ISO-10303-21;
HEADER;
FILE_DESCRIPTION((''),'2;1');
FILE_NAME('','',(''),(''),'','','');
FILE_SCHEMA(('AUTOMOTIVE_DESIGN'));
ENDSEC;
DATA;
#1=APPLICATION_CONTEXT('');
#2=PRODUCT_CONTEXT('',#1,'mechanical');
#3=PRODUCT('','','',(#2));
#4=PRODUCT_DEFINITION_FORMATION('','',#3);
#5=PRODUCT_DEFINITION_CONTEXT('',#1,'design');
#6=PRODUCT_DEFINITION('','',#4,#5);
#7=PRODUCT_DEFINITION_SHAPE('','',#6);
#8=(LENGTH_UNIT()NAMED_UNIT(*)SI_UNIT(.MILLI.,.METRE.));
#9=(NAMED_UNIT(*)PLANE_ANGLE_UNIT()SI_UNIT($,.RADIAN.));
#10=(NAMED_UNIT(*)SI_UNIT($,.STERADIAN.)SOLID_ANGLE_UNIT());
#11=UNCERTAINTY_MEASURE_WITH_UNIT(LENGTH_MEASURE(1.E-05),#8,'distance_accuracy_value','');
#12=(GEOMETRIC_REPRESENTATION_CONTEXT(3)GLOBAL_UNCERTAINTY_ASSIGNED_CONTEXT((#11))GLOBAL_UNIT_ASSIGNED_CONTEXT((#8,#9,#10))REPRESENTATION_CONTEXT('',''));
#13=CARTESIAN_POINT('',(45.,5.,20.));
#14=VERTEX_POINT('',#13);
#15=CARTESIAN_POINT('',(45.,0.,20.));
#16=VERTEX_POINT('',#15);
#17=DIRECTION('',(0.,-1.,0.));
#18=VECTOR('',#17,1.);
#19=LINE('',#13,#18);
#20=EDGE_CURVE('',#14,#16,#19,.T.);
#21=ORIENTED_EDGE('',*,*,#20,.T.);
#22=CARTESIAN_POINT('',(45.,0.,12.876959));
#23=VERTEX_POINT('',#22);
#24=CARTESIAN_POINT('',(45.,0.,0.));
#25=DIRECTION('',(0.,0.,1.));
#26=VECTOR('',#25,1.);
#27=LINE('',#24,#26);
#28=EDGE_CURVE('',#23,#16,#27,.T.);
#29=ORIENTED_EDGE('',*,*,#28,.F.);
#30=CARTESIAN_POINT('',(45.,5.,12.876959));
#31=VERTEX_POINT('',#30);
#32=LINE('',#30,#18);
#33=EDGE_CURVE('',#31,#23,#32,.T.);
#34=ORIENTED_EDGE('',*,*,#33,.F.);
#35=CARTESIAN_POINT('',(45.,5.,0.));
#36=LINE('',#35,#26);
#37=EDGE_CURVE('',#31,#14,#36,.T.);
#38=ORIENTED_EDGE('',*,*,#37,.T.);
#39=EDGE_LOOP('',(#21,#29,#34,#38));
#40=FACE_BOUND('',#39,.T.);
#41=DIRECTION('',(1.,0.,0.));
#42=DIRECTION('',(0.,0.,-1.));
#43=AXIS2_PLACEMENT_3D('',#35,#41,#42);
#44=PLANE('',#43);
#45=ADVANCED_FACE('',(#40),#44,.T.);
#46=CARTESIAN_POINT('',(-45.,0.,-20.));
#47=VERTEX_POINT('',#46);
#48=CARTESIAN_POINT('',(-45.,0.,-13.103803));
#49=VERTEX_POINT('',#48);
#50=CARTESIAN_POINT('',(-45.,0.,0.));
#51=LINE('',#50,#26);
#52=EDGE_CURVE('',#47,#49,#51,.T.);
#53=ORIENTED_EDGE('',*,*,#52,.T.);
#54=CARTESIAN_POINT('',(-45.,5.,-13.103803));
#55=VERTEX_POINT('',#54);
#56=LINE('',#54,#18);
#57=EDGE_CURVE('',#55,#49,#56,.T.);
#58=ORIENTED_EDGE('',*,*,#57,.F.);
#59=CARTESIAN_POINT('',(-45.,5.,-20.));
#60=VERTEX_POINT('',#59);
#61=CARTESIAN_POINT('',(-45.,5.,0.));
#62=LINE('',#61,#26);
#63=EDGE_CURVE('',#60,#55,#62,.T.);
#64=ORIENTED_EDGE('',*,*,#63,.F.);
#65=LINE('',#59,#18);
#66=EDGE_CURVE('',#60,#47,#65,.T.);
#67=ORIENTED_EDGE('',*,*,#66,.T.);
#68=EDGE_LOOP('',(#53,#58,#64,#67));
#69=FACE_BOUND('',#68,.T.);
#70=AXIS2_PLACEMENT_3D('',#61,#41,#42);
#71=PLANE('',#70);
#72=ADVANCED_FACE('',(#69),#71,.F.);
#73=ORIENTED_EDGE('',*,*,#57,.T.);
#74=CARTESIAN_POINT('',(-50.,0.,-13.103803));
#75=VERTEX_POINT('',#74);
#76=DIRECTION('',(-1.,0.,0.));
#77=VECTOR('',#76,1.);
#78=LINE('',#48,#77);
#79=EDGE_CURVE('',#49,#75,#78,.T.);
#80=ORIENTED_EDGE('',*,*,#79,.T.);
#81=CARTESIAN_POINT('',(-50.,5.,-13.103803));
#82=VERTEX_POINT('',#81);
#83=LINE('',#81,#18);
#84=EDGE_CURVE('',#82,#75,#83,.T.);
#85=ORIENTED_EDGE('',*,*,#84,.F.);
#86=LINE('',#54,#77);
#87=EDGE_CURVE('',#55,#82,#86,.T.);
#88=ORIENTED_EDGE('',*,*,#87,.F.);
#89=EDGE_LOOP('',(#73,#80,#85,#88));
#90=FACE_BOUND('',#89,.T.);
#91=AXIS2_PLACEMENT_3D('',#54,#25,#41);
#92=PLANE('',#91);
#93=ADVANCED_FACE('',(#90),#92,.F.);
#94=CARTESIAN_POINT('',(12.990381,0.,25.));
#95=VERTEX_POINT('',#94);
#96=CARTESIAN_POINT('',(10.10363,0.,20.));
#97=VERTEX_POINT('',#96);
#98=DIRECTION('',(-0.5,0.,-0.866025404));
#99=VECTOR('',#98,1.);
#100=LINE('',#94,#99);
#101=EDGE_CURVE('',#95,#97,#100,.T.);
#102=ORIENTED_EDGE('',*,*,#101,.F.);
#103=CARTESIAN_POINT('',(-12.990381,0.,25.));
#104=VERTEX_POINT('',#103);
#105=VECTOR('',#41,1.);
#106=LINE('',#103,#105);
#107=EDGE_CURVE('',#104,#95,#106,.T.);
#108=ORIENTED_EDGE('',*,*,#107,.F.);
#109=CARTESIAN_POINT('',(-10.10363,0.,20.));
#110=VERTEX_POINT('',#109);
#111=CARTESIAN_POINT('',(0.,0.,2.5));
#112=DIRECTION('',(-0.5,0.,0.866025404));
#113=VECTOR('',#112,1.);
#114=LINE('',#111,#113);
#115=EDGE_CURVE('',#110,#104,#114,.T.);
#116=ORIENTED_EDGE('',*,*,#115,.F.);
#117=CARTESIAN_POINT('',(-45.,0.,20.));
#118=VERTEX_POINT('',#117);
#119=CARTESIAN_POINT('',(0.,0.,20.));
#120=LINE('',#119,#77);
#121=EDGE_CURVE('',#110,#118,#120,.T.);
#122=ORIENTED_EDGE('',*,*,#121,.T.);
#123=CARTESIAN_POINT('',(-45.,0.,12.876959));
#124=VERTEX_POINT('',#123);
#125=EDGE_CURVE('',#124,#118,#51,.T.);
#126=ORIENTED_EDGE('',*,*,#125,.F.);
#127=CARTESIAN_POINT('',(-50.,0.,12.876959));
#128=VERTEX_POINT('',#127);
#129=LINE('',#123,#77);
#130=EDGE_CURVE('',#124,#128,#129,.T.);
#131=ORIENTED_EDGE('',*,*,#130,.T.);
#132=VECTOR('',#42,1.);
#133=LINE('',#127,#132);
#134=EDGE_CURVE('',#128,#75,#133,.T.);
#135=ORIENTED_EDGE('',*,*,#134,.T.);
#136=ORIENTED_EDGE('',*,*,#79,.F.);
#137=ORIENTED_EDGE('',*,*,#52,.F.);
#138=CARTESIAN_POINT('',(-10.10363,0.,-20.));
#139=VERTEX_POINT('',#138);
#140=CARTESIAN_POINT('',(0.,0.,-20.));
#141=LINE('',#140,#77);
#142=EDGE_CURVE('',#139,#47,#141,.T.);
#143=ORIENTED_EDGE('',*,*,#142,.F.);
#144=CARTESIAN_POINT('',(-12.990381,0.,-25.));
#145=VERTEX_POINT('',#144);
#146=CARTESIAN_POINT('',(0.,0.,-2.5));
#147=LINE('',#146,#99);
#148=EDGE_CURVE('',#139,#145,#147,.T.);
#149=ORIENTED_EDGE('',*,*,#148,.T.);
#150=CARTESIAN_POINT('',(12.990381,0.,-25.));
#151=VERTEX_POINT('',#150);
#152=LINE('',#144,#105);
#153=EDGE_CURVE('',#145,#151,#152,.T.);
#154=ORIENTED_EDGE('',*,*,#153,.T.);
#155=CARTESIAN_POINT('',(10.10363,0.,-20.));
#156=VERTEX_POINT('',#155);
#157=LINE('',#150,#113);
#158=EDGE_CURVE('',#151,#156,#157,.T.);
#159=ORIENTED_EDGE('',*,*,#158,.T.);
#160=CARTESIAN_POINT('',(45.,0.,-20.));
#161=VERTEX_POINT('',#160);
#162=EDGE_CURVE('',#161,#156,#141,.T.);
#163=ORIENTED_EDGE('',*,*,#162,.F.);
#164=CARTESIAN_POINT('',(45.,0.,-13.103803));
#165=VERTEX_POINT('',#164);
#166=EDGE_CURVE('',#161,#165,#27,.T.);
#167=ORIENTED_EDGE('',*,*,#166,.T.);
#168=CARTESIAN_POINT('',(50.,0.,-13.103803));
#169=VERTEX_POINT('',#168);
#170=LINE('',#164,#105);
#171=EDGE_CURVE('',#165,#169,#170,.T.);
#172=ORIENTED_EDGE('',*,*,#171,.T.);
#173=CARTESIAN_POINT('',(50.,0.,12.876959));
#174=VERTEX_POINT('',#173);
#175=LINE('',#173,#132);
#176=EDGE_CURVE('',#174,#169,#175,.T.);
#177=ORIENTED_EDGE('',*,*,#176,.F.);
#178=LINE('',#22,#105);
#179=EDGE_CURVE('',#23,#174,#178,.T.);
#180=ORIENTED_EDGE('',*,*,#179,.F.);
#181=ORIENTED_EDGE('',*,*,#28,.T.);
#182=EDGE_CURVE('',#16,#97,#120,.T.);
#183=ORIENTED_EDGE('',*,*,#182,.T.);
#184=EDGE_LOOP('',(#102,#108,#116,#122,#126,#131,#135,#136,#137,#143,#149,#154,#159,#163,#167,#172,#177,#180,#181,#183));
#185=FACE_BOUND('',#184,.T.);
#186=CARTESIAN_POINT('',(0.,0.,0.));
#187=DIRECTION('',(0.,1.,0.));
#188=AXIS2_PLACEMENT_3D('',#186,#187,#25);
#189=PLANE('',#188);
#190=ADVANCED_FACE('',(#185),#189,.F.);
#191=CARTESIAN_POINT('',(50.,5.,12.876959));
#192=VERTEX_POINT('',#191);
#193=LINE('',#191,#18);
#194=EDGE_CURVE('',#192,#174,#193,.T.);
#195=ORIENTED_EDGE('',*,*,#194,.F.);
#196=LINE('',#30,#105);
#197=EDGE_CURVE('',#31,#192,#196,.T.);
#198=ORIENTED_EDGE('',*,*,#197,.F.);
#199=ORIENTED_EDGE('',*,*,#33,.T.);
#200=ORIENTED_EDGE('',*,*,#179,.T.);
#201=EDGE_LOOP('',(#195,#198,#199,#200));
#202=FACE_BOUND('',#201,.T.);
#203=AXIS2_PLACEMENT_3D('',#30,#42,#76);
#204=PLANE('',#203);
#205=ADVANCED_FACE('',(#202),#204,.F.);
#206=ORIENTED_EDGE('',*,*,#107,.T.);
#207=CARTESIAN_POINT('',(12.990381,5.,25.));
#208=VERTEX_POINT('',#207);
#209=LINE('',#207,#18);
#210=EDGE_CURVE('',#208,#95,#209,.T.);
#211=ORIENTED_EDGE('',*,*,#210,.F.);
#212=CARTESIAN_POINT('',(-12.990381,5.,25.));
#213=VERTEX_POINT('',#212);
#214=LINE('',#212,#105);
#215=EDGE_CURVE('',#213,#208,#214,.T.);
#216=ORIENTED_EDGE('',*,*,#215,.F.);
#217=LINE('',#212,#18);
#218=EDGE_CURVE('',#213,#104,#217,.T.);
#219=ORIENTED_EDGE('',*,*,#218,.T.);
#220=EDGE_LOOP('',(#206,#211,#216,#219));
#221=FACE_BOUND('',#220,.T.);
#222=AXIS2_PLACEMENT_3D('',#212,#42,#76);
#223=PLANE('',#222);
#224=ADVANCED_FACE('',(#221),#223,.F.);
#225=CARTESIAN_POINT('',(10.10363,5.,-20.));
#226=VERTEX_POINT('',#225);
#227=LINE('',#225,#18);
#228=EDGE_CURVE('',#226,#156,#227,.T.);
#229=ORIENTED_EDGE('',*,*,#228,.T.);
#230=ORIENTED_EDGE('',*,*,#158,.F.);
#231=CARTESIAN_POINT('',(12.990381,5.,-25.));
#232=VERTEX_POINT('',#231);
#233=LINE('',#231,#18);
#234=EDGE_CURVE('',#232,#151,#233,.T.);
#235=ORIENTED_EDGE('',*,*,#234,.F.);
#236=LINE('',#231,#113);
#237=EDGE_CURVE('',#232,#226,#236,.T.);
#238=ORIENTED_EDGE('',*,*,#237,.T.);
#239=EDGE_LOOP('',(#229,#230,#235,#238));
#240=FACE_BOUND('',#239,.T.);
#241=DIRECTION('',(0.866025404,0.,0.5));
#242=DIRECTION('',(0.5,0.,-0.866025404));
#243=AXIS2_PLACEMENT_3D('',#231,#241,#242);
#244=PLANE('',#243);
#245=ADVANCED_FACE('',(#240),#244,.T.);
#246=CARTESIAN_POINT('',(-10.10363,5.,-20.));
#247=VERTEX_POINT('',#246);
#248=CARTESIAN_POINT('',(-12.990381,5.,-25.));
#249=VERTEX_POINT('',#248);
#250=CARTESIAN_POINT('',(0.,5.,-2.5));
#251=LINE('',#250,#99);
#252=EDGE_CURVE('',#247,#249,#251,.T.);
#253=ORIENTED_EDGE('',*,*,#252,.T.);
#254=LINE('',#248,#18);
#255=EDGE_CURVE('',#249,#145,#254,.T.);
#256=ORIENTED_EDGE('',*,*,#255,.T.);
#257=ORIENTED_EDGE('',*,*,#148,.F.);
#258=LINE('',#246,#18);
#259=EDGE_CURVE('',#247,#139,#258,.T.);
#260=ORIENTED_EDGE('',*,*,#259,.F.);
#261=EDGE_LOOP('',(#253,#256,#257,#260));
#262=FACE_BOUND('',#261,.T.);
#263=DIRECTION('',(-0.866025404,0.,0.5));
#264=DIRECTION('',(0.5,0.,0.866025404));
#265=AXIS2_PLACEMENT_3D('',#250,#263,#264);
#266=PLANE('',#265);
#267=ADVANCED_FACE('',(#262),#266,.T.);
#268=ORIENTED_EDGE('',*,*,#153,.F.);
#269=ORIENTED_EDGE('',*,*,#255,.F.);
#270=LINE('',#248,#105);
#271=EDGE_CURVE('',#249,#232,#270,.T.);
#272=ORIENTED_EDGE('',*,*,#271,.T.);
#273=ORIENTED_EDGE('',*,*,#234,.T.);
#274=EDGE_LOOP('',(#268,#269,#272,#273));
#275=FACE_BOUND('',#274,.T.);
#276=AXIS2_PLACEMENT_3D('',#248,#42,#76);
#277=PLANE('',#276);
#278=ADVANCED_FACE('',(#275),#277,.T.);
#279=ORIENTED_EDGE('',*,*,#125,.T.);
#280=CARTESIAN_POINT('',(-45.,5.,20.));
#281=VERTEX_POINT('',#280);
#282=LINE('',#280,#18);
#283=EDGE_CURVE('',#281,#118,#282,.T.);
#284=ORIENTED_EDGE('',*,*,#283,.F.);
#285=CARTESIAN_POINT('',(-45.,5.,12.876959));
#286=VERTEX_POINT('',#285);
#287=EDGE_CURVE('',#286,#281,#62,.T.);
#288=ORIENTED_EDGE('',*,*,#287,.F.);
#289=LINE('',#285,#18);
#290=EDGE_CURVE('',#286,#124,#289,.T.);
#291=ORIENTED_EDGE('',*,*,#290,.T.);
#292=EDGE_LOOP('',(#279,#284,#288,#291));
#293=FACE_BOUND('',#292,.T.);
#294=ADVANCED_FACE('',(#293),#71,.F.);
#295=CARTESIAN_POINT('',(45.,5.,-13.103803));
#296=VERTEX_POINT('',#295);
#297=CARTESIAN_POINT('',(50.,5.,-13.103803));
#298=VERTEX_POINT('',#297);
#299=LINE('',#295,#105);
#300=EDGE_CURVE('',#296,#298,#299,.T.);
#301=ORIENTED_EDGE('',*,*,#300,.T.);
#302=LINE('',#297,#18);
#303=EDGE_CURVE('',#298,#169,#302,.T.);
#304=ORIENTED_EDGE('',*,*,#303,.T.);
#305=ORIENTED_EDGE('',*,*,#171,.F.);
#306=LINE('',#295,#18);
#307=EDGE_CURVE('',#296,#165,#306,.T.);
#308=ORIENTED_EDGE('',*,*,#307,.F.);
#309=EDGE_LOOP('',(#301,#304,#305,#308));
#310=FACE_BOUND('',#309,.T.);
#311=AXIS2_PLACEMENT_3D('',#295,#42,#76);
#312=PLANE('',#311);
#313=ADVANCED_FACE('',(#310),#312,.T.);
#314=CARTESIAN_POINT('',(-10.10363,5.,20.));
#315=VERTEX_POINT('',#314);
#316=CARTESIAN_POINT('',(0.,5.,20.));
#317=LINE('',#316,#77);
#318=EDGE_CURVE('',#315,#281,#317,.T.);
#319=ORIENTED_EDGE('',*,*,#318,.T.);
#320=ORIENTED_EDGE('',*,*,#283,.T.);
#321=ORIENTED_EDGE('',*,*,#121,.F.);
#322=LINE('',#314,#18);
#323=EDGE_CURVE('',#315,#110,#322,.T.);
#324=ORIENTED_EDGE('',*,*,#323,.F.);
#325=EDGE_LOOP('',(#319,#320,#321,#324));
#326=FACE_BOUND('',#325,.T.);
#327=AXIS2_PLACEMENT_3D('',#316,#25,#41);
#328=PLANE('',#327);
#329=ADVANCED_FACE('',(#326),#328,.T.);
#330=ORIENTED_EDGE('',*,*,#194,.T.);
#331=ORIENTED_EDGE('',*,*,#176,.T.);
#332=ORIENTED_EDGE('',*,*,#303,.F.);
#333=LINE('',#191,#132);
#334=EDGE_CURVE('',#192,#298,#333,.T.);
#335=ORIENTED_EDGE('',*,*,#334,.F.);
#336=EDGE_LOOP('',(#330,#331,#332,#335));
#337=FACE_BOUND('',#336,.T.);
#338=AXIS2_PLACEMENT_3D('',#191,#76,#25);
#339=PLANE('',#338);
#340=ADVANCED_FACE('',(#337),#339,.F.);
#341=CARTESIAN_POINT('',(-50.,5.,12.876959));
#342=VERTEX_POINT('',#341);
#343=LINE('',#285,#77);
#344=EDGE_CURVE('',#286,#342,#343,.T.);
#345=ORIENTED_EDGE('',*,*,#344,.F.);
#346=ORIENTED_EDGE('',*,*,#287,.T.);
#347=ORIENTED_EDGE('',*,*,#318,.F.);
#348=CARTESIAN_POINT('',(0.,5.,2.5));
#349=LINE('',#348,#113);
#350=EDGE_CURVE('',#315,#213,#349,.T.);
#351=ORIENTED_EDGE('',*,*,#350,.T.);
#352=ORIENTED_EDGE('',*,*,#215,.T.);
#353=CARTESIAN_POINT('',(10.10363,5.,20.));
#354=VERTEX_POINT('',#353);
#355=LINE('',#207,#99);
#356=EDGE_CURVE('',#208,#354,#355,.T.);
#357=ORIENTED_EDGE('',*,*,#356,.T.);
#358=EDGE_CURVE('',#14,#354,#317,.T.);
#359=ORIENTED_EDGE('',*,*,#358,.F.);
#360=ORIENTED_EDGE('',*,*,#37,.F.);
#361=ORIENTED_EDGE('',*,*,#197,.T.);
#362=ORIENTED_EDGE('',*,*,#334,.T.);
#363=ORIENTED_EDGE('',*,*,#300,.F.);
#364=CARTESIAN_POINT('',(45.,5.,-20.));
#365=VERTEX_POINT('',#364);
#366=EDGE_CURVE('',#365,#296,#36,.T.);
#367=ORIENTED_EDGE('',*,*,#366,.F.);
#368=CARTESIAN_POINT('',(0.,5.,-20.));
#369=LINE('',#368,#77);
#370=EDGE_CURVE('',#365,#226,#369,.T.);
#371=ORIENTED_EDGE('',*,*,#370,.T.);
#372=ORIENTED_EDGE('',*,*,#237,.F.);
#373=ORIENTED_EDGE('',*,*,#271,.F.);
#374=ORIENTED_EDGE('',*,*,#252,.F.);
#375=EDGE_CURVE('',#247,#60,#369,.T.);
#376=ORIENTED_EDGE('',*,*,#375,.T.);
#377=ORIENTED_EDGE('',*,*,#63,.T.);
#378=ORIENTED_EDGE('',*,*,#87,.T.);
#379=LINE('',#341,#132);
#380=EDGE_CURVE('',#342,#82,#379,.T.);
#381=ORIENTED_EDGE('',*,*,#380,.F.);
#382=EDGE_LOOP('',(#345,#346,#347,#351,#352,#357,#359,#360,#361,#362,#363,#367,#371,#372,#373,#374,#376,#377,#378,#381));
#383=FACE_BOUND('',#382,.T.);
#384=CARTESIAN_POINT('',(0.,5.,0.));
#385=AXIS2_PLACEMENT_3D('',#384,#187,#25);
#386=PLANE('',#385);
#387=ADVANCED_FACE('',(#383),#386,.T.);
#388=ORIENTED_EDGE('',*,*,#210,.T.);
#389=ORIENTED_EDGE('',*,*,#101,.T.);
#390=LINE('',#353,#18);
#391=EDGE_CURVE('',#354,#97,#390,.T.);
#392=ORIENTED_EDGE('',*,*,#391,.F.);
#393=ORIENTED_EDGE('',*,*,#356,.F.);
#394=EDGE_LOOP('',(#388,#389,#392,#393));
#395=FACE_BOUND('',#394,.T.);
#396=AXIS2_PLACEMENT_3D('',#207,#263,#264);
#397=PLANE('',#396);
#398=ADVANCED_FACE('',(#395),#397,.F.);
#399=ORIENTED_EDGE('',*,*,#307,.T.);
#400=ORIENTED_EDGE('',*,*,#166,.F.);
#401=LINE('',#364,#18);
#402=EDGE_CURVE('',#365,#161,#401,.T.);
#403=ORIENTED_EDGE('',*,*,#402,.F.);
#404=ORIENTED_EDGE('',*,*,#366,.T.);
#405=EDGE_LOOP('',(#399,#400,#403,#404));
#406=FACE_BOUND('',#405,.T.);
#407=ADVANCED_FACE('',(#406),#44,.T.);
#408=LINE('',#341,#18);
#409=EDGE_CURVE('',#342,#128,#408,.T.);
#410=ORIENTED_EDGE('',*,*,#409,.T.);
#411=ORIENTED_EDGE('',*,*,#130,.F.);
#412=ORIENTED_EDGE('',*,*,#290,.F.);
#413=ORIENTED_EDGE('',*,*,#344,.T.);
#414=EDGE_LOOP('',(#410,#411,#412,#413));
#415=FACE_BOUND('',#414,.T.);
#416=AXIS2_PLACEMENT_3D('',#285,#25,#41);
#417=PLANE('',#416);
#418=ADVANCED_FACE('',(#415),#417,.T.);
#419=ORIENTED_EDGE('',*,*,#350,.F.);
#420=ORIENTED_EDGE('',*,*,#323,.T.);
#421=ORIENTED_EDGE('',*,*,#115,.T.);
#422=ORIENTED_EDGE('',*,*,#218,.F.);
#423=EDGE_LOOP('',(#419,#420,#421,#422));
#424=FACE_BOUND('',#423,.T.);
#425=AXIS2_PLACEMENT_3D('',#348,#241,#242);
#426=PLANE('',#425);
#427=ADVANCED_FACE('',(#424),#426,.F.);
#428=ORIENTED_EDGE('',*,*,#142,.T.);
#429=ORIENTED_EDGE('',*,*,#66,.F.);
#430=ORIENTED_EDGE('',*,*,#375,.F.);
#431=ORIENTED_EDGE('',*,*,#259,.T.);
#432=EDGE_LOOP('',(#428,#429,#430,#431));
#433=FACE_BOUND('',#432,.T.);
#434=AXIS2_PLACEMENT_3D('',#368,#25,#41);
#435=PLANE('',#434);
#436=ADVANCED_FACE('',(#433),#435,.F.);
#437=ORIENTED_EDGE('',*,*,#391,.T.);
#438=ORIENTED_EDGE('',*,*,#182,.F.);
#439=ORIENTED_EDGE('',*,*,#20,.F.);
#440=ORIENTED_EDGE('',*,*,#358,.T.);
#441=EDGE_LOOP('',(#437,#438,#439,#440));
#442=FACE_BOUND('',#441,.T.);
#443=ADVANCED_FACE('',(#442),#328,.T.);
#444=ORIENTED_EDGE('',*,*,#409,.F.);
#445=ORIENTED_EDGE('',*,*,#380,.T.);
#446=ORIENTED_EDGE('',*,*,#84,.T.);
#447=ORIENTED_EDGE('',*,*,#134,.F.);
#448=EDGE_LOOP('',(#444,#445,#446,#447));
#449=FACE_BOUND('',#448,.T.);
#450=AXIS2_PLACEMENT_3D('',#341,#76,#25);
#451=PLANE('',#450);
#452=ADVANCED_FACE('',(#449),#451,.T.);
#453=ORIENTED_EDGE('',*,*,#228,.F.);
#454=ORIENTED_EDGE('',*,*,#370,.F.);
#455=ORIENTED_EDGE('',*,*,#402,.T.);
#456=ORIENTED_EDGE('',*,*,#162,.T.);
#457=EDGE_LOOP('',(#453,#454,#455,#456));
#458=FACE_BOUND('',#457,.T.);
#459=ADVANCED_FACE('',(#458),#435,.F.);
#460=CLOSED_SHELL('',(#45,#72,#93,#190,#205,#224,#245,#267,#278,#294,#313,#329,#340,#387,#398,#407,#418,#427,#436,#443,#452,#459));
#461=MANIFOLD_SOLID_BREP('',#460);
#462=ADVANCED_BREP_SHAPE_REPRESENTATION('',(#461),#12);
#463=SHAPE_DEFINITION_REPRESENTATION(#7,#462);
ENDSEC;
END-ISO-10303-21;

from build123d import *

# Parameters (mm, degrees)
BOSS_EXTRUDE1_DEPTH = 5


with BuildPart() as part:
    # Sketch2 → Boss-Extrude1 (new body)
    with BuildSketch(Plane(origin=(0, 0, 0), x_dir=(-1, 0, 0), z_dir=(0, 1, 0))):
        Polygon((45, 20), (10.103629711, 20), (12.990381057, 25), (-12.990381057, 25), (-10.103629711, 20), (-45, 20), (-45, 12.876959441), (-50, 12.876959441), (-50, -13.103802672), (-45, -13.103802672), (-45, -20), (-10.103629711, -20), (-12.990381057, -25), (12.990381057, -25), (10.103629711, -20), (45, -20), (45, -13.103802672), (50, -13.103802672), (50, 12.876959441), (45, 12.876959441), align=None)
    extrude(amount=BOSS_EXTRUDE1_DEPTH)


solid = part.part
